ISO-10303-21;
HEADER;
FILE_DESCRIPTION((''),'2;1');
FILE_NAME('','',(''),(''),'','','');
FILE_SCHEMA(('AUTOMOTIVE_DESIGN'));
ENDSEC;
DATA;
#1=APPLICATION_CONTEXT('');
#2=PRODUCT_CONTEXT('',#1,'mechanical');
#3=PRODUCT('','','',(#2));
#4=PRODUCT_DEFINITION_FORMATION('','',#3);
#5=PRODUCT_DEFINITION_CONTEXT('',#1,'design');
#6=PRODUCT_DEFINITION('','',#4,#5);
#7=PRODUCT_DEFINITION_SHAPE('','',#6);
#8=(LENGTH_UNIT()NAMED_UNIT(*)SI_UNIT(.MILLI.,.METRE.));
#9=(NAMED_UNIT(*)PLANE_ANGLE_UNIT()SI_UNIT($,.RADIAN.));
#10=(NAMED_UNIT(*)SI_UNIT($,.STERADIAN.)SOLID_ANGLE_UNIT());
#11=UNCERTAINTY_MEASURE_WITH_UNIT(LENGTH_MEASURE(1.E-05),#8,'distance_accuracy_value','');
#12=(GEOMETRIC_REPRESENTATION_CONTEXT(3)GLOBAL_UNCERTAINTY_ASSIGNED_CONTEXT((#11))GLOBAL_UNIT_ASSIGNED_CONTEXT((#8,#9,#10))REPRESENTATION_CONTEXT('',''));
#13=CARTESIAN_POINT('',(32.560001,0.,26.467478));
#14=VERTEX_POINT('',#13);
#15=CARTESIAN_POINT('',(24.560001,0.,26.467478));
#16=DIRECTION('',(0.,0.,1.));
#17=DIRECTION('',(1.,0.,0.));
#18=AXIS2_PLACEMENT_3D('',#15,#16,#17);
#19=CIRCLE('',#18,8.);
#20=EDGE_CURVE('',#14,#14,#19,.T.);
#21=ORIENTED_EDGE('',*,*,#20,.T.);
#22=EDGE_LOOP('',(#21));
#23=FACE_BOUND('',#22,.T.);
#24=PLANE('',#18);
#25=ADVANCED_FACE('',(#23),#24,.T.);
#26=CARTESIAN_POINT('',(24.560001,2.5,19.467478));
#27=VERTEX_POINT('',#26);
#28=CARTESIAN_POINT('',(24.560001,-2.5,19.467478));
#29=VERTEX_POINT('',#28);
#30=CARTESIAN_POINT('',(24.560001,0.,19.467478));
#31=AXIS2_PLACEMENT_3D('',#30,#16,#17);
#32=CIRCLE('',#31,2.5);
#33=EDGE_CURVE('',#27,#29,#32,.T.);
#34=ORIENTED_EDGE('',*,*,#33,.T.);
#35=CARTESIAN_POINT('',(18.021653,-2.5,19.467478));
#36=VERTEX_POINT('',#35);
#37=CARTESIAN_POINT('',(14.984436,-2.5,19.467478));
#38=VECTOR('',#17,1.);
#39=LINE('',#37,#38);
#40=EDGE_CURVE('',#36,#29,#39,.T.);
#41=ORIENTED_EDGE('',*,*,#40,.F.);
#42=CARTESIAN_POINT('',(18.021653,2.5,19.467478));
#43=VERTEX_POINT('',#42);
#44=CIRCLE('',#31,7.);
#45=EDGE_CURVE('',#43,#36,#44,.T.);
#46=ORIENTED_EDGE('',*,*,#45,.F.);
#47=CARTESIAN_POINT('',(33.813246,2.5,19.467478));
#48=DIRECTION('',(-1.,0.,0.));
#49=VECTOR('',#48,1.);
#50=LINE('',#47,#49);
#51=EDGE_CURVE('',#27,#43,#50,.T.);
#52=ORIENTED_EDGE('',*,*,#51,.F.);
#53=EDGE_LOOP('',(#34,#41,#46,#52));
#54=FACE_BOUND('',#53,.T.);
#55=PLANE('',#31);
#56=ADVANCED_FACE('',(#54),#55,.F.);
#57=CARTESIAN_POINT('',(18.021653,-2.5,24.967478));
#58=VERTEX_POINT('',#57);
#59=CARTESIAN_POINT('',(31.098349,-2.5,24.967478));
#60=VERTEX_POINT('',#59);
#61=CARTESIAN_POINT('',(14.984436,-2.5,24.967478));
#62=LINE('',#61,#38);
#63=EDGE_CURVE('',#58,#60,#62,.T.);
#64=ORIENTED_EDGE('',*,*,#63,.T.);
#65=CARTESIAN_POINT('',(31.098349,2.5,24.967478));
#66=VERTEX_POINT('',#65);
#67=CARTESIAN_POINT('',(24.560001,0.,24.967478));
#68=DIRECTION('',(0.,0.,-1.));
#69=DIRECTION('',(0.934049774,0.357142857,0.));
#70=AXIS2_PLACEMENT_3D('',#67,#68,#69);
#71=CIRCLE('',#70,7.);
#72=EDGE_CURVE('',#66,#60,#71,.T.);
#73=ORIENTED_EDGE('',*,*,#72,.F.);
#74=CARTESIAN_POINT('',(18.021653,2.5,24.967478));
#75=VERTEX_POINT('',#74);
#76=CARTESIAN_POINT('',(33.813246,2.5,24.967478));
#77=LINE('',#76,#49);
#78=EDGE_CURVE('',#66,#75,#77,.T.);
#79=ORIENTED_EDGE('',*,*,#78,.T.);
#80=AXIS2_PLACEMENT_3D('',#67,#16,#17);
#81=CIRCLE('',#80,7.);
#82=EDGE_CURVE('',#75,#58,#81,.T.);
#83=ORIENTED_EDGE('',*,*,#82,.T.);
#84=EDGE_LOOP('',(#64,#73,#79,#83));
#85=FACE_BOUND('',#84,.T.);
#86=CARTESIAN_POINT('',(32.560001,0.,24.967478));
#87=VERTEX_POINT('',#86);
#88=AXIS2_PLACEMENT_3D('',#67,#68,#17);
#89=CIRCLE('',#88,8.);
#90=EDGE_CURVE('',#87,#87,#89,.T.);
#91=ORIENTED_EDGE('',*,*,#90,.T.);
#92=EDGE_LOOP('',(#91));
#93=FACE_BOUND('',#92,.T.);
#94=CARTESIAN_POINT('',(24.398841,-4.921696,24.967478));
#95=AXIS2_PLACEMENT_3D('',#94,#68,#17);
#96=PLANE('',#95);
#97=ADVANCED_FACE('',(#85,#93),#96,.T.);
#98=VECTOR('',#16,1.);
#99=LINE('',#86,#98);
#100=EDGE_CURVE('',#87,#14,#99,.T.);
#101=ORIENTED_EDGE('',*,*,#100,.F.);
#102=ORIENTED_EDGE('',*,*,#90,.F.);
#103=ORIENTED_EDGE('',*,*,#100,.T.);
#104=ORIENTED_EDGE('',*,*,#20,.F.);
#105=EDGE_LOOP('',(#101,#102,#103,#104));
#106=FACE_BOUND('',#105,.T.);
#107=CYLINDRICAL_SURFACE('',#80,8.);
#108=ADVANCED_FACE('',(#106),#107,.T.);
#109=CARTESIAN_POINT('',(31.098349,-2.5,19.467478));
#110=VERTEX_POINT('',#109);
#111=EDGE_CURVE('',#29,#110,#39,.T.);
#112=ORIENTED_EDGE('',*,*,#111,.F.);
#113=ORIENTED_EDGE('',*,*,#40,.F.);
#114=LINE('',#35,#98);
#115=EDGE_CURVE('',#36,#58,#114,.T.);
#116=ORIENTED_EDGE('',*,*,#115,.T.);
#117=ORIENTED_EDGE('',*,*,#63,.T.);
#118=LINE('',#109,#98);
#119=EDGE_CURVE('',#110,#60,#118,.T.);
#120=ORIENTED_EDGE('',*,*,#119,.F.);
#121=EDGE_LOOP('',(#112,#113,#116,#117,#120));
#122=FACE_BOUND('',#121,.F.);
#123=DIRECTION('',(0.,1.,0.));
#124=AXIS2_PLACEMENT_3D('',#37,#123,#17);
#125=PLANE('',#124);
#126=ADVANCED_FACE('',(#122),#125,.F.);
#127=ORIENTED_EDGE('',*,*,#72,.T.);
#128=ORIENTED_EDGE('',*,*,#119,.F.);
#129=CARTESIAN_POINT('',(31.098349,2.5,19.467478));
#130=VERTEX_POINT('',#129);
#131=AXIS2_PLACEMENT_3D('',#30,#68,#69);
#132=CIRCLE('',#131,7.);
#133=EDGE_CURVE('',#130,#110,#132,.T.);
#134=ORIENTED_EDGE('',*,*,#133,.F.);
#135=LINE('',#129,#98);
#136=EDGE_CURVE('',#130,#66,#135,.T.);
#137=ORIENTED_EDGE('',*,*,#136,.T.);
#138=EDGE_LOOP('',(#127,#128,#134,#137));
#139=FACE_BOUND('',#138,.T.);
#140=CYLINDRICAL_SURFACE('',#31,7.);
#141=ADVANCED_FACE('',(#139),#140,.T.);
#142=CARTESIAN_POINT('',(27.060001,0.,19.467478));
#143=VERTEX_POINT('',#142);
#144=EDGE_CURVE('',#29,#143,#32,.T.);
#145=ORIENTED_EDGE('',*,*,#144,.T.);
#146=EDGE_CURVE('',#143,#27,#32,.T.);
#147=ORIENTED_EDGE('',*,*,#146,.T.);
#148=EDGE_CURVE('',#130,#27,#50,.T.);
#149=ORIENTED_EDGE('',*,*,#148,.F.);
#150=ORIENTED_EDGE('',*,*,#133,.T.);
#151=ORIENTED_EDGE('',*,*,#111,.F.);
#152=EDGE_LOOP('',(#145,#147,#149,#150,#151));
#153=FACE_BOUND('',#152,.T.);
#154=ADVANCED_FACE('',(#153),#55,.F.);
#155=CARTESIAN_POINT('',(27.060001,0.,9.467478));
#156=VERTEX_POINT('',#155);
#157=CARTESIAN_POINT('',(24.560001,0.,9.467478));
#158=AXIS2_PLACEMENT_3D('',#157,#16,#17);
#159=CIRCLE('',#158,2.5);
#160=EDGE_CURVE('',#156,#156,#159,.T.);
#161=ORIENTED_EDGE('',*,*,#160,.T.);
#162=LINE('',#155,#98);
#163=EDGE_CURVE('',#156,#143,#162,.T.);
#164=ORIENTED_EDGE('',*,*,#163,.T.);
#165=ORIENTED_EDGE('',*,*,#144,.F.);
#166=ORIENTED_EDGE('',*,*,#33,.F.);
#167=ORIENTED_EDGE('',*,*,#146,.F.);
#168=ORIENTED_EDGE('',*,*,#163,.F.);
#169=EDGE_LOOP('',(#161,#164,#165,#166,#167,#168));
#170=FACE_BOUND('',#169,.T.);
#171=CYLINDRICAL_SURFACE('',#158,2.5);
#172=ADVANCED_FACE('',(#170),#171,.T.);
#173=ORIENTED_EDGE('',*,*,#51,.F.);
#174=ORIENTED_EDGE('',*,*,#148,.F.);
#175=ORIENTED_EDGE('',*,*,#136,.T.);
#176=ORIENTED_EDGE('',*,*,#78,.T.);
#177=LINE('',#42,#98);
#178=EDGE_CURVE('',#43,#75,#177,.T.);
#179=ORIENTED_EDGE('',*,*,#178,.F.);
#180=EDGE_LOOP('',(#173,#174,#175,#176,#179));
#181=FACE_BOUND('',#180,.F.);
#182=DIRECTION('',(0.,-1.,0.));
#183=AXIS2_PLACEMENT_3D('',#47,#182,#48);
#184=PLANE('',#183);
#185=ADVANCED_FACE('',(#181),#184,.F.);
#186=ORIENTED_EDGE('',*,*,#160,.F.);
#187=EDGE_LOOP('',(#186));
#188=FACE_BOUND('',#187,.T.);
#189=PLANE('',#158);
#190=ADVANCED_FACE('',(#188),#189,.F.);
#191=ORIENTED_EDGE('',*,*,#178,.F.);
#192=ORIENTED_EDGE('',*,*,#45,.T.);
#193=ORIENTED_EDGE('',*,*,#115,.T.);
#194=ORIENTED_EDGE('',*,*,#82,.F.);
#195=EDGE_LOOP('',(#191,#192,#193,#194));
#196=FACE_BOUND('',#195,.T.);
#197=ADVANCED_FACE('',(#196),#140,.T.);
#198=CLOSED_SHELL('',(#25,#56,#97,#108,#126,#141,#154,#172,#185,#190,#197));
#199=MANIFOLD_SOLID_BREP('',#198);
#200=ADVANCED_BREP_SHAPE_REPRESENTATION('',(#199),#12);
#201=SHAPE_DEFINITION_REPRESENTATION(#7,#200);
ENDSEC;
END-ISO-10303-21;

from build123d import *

# Parameters (mm, degrees)
F3_DEPTH = 5.5


with BuildPart() as f1:
    # F0 (on Front) → F1 (revolve)
    with BuildSketch(Plane.XZ):
        Polygon((24.560001, 26.467478), (24.560001, 9.467478), (27.060001, 9.467478), (27.060001, 19.467478), (31.560001, 19.467478), (31.560001, 24.967478), (32.560001, 24.967478), (32.560001, 26.467478), align=None)
    revolve(axis=Axis((24.560001, 0, 17.967478), (0, 0, 1)))

    # F2 (on face) → F3 (cut, through all)
    with BuildSketch(Plane(origin=(0, 0, 19.467478), x_dir=(1, 0, 0), z_dir=(0, 0, -1))):
        Polygon((14.984436, 2.5), (24.560001, 2.5), (33.813246, 2.5), (33.813246, 7.343391), (14.984436, 7.343391), align=None)
        Polygon((33.813246, -2.5), (24.560001, -2.5), (14.984436, -2.5), (14.984436, -7.343391), (33.813246, -7.343391), align=None)
    extrude(amount=-F3_DEPTH, mode=Mode.SUBTRACT)


solid = f1.part
